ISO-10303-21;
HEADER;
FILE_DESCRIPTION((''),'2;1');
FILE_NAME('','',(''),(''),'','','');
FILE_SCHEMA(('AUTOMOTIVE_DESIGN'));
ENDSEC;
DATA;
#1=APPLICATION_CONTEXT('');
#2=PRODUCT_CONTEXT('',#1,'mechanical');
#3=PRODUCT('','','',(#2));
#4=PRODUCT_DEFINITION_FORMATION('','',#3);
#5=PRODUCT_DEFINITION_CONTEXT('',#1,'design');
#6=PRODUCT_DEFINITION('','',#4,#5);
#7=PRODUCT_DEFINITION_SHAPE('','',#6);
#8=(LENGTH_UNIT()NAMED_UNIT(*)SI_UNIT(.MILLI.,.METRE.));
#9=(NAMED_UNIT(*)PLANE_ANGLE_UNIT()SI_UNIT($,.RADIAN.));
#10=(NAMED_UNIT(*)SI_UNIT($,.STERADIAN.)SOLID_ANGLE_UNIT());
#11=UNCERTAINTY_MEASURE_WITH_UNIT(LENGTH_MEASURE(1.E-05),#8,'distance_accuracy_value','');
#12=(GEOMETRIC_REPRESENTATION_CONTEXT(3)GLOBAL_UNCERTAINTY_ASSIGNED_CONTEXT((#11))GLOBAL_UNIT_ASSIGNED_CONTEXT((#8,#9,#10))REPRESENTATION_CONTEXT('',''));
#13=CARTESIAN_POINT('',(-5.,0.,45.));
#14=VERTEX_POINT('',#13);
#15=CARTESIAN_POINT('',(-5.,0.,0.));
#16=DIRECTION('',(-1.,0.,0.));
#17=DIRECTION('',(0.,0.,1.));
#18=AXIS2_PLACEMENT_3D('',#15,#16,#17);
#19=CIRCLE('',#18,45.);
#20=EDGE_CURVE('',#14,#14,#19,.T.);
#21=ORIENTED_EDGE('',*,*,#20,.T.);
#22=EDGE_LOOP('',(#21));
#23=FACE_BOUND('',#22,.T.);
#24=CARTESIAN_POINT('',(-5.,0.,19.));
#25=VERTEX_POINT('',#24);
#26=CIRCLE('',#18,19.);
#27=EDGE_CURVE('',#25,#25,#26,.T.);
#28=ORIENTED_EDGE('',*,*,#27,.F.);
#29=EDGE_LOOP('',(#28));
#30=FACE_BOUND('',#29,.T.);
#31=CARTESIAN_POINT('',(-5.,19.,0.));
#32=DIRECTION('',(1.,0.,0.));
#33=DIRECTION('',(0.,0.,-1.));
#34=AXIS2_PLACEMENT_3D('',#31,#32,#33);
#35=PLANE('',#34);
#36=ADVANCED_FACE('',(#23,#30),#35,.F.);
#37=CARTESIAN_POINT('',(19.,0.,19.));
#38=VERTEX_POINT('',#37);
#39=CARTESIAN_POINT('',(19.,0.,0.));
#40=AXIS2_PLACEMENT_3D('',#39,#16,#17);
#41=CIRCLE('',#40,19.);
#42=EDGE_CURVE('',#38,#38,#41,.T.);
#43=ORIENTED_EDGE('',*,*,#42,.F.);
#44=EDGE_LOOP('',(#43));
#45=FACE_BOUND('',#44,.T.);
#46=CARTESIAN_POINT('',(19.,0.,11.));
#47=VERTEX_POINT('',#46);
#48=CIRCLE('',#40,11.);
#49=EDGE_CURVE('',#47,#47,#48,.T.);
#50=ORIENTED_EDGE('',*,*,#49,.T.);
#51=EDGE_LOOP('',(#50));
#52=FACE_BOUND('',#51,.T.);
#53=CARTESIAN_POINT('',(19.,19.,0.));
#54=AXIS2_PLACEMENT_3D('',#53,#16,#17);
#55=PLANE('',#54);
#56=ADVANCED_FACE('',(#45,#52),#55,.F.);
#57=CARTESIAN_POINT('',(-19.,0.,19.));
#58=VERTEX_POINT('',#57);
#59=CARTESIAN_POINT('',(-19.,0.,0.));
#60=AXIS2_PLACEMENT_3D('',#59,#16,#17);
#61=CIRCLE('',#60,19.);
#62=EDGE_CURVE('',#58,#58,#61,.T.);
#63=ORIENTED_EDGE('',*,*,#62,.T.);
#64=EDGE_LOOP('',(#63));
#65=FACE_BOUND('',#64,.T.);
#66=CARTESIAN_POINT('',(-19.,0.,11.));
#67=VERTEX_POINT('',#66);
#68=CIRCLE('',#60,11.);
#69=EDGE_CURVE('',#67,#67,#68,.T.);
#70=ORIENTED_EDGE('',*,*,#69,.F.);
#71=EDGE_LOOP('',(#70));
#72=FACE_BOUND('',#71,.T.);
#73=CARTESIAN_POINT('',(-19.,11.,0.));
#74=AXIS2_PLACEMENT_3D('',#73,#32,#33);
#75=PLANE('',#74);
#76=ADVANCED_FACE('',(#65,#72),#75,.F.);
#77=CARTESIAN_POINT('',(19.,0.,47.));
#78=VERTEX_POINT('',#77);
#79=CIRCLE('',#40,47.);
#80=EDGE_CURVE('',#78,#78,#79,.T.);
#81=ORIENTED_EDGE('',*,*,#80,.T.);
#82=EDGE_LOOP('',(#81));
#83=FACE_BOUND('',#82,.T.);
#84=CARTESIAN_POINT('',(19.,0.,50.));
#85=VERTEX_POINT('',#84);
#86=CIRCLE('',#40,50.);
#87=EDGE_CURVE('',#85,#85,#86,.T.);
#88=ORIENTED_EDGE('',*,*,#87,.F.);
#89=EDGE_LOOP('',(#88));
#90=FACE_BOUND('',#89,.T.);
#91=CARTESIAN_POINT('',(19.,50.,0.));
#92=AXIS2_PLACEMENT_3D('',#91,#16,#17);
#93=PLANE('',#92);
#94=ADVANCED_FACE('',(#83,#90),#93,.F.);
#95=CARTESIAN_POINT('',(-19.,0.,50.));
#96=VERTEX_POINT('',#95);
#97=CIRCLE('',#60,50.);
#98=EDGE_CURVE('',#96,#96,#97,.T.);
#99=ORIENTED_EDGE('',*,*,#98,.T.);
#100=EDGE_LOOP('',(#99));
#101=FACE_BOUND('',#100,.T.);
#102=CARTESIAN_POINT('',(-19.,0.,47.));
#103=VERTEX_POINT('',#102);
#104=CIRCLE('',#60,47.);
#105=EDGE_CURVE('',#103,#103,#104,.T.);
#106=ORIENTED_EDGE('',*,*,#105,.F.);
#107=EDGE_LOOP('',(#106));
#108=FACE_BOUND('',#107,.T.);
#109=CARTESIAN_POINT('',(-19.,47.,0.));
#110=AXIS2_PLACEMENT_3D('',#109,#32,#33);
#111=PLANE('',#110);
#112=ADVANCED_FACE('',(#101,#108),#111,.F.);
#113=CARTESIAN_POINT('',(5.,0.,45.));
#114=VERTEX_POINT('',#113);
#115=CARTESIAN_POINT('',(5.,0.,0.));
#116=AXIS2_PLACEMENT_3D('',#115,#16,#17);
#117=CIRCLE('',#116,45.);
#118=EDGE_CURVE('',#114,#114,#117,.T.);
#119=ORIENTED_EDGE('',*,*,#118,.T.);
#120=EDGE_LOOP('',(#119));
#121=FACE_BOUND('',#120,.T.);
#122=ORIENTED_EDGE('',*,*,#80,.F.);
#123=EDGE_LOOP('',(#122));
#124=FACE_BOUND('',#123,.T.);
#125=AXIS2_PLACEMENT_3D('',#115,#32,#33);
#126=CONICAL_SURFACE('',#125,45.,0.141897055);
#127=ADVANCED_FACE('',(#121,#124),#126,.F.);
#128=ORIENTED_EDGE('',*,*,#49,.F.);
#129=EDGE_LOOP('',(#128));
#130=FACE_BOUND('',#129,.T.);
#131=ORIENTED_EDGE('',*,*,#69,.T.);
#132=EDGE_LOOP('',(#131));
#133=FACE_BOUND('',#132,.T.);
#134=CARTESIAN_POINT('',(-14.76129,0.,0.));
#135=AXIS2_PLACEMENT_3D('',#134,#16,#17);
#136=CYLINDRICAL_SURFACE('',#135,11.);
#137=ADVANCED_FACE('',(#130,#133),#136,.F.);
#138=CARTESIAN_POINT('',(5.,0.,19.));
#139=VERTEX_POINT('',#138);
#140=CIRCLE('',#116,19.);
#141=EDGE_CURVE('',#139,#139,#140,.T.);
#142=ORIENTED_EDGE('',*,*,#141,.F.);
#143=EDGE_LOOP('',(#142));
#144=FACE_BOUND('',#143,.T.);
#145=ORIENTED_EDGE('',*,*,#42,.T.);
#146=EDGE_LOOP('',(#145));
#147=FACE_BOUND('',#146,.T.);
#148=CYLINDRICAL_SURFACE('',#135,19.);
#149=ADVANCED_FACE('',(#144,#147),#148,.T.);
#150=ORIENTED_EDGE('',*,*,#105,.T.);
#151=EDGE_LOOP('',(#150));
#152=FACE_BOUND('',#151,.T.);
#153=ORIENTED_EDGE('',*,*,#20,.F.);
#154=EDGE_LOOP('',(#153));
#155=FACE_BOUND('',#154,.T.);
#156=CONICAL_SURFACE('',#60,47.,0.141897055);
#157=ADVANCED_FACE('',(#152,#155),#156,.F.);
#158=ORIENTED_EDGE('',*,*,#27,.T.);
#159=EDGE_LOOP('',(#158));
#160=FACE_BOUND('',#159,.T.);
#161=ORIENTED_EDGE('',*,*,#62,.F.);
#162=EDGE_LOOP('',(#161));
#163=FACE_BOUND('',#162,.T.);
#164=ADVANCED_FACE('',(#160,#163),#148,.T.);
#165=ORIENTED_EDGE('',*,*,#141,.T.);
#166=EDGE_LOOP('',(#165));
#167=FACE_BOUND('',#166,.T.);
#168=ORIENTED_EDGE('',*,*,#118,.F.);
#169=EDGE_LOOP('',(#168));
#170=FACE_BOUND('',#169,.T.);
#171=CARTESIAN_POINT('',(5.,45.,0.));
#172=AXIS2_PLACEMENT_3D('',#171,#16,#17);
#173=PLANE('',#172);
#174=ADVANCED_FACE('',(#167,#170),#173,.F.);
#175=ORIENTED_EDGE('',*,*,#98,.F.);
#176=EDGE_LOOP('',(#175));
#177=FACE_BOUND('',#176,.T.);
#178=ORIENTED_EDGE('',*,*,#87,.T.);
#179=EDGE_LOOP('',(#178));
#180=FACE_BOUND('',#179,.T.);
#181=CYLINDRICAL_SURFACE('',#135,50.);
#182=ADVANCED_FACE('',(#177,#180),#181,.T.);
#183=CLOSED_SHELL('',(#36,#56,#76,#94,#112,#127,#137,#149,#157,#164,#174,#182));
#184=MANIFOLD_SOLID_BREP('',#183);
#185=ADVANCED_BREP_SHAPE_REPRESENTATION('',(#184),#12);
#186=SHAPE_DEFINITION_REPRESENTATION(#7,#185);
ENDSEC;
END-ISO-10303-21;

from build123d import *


with BuildPart() as part:
    # Croquis1 → Revolución1 (revolve)
    with BuildSketch(Plane.XY):
        Polygon((19, 11), (-19, 11), (-19, 19), (-5, 19), (-5, 45), (-19, 47), (-19, 50), (19, 50), (19, 47), (5, 45), (5, 19), (19, 19), align=None)
    revolve(axis=Axis((-14.761290323, 0, 0), (1, 0, 0)))


solid = part.part
